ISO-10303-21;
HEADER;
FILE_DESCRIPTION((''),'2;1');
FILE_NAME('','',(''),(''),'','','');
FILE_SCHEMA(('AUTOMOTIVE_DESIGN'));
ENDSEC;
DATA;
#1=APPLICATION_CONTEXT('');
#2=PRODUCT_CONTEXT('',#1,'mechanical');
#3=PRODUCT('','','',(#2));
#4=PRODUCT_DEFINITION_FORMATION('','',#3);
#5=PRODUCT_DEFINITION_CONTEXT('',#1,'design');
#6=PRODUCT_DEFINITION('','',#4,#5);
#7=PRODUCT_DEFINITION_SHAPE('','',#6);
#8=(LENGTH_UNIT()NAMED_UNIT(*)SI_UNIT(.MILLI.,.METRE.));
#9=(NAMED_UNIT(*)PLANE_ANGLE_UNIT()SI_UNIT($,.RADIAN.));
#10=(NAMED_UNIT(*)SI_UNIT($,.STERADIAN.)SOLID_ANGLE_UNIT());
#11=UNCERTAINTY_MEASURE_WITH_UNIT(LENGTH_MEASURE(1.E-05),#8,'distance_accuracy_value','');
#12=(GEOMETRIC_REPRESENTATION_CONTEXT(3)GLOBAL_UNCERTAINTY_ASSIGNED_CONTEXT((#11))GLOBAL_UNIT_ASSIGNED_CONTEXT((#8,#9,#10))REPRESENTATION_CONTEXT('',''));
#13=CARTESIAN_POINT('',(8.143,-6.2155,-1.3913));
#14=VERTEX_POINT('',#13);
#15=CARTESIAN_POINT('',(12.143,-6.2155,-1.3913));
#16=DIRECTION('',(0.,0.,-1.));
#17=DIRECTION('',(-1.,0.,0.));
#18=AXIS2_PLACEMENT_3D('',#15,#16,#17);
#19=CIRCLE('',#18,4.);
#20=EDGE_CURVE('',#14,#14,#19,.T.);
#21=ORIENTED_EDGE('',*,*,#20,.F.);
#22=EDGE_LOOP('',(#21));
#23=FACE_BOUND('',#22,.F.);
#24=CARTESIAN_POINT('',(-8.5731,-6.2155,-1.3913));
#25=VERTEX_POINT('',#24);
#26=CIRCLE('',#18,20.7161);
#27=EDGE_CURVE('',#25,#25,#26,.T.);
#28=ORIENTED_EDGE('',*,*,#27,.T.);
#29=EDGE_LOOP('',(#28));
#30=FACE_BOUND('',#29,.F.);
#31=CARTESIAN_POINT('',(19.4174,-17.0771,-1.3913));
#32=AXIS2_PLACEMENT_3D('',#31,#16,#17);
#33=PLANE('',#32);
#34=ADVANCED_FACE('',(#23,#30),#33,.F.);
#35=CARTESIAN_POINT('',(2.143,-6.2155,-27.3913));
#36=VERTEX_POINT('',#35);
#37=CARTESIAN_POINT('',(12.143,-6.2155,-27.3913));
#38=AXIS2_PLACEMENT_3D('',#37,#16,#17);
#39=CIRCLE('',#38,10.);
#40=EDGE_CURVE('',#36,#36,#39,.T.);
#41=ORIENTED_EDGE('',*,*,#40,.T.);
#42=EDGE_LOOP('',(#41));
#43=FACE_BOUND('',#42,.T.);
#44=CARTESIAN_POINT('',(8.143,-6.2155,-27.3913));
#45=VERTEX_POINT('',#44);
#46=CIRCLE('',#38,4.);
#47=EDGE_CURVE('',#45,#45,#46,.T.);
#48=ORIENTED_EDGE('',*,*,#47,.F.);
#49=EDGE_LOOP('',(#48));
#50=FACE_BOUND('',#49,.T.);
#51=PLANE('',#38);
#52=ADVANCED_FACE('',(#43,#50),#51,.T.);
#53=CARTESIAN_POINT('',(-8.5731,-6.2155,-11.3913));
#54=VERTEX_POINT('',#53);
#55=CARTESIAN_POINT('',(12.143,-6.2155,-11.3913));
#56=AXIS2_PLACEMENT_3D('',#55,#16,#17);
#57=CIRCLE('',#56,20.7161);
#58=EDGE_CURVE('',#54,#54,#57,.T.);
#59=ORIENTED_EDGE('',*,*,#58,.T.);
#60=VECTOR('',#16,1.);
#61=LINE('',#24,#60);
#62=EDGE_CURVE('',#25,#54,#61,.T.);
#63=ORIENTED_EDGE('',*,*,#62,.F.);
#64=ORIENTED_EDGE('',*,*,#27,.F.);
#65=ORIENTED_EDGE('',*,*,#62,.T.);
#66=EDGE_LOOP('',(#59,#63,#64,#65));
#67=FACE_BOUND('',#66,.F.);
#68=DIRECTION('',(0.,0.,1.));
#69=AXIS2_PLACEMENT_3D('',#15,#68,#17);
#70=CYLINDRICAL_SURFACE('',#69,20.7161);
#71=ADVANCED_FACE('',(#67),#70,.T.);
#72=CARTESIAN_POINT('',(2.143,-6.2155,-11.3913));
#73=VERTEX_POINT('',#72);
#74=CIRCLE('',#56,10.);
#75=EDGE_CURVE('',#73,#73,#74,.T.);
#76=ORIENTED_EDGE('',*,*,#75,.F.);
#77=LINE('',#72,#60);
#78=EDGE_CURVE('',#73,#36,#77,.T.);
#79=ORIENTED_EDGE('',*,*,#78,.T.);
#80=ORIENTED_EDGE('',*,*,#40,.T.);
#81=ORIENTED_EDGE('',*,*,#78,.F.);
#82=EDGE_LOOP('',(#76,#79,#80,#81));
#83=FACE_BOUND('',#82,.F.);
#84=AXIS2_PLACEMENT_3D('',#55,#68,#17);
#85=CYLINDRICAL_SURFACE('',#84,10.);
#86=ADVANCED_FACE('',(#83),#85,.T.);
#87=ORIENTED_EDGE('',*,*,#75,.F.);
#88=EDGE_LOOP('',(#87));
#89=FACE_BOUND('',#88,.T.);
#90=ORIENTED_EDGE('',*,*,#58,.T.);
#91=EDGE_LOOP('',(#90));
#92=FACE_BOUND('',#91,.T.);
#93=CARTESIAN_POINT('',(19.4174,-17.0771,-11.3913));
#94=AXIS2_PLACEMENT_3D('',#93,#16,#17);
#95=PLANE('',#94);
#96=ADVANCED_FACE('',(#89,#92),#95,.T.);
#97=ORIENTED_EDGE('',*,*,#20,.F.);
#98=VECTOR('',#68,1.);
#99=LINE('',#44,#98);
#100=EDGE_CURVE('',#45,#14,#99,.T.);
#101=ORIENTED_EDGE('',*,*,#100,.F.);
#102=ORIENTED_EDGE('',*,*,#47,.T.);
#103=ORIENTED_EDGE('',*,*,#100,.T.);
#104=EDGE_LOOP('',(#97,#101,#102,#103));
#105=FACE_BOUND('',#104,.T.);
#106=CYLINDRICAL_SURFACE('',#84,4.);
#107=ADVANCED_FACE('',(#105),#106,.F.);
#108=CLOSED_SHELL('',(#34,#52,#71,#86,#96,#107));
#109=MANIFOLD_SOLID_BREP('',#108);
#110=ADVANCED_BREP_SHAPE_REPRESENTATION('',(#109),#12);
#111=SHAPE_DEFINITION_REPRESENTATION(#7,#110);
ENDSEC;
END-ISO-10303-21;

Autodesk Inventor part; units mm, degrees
ref_plane "YZ Plane" through (0, 0, 0) normal (1, 0, 0) x (0, 1, 0)
ref_plane "XZ Plane" through (0, 0, 0) normal (0, 1, 0) x (-1, 0, 0)
ref_plane "XY Plane" through (0, 0, 0) normal (0, 0, 1) x (1, 0, 0)
ref_plane "Płaszczyzna konstrukcyjna1" through (19.4174, -17.0771, -1.3913) normal (0, 0, -1) x (-1, 0, 0)
sketch "Szkic1" plane through (19.4174, -17.0771, -1.3913) normal (0, 0, -1) x (-1, 0, 0)
  circle A0 centre (7.2744, 10.8616) radius 20.7161 projected
  circle A1 centre (7.2744, 10.8616) radius 4
  circle A2 centre (7.2744, 10.8616) radius 7.5
  point P0 (19.4174, 17.0771)
  dimension "d0" = 8
  dimension "d1" = 15
extrude "Wyciągnięcie proste1" add sketch "Szkic1" along normal blind 10 contours A0 | A2
sketch "Szkic2" plane through (12.143, -6.2155, -11.3913) normal (0, 0, -1) x (-1, 0, 0)
  circle A0 centre (0, 0) radius 20.7161 projected
  circle A1 centre (0, 0) radius 4 projected
  circle A2 centre (0, 0) radius 4 projected
  circle A3 centre (0, 0) radius 10
  point P0 (12.143, 6.2155)
  dimension "d4" = 20
extrude "Wyciągnięcie proste2" add sketch "Szkic2" along normal blind 16 contours A3
properties part number "uchwytna wal"
